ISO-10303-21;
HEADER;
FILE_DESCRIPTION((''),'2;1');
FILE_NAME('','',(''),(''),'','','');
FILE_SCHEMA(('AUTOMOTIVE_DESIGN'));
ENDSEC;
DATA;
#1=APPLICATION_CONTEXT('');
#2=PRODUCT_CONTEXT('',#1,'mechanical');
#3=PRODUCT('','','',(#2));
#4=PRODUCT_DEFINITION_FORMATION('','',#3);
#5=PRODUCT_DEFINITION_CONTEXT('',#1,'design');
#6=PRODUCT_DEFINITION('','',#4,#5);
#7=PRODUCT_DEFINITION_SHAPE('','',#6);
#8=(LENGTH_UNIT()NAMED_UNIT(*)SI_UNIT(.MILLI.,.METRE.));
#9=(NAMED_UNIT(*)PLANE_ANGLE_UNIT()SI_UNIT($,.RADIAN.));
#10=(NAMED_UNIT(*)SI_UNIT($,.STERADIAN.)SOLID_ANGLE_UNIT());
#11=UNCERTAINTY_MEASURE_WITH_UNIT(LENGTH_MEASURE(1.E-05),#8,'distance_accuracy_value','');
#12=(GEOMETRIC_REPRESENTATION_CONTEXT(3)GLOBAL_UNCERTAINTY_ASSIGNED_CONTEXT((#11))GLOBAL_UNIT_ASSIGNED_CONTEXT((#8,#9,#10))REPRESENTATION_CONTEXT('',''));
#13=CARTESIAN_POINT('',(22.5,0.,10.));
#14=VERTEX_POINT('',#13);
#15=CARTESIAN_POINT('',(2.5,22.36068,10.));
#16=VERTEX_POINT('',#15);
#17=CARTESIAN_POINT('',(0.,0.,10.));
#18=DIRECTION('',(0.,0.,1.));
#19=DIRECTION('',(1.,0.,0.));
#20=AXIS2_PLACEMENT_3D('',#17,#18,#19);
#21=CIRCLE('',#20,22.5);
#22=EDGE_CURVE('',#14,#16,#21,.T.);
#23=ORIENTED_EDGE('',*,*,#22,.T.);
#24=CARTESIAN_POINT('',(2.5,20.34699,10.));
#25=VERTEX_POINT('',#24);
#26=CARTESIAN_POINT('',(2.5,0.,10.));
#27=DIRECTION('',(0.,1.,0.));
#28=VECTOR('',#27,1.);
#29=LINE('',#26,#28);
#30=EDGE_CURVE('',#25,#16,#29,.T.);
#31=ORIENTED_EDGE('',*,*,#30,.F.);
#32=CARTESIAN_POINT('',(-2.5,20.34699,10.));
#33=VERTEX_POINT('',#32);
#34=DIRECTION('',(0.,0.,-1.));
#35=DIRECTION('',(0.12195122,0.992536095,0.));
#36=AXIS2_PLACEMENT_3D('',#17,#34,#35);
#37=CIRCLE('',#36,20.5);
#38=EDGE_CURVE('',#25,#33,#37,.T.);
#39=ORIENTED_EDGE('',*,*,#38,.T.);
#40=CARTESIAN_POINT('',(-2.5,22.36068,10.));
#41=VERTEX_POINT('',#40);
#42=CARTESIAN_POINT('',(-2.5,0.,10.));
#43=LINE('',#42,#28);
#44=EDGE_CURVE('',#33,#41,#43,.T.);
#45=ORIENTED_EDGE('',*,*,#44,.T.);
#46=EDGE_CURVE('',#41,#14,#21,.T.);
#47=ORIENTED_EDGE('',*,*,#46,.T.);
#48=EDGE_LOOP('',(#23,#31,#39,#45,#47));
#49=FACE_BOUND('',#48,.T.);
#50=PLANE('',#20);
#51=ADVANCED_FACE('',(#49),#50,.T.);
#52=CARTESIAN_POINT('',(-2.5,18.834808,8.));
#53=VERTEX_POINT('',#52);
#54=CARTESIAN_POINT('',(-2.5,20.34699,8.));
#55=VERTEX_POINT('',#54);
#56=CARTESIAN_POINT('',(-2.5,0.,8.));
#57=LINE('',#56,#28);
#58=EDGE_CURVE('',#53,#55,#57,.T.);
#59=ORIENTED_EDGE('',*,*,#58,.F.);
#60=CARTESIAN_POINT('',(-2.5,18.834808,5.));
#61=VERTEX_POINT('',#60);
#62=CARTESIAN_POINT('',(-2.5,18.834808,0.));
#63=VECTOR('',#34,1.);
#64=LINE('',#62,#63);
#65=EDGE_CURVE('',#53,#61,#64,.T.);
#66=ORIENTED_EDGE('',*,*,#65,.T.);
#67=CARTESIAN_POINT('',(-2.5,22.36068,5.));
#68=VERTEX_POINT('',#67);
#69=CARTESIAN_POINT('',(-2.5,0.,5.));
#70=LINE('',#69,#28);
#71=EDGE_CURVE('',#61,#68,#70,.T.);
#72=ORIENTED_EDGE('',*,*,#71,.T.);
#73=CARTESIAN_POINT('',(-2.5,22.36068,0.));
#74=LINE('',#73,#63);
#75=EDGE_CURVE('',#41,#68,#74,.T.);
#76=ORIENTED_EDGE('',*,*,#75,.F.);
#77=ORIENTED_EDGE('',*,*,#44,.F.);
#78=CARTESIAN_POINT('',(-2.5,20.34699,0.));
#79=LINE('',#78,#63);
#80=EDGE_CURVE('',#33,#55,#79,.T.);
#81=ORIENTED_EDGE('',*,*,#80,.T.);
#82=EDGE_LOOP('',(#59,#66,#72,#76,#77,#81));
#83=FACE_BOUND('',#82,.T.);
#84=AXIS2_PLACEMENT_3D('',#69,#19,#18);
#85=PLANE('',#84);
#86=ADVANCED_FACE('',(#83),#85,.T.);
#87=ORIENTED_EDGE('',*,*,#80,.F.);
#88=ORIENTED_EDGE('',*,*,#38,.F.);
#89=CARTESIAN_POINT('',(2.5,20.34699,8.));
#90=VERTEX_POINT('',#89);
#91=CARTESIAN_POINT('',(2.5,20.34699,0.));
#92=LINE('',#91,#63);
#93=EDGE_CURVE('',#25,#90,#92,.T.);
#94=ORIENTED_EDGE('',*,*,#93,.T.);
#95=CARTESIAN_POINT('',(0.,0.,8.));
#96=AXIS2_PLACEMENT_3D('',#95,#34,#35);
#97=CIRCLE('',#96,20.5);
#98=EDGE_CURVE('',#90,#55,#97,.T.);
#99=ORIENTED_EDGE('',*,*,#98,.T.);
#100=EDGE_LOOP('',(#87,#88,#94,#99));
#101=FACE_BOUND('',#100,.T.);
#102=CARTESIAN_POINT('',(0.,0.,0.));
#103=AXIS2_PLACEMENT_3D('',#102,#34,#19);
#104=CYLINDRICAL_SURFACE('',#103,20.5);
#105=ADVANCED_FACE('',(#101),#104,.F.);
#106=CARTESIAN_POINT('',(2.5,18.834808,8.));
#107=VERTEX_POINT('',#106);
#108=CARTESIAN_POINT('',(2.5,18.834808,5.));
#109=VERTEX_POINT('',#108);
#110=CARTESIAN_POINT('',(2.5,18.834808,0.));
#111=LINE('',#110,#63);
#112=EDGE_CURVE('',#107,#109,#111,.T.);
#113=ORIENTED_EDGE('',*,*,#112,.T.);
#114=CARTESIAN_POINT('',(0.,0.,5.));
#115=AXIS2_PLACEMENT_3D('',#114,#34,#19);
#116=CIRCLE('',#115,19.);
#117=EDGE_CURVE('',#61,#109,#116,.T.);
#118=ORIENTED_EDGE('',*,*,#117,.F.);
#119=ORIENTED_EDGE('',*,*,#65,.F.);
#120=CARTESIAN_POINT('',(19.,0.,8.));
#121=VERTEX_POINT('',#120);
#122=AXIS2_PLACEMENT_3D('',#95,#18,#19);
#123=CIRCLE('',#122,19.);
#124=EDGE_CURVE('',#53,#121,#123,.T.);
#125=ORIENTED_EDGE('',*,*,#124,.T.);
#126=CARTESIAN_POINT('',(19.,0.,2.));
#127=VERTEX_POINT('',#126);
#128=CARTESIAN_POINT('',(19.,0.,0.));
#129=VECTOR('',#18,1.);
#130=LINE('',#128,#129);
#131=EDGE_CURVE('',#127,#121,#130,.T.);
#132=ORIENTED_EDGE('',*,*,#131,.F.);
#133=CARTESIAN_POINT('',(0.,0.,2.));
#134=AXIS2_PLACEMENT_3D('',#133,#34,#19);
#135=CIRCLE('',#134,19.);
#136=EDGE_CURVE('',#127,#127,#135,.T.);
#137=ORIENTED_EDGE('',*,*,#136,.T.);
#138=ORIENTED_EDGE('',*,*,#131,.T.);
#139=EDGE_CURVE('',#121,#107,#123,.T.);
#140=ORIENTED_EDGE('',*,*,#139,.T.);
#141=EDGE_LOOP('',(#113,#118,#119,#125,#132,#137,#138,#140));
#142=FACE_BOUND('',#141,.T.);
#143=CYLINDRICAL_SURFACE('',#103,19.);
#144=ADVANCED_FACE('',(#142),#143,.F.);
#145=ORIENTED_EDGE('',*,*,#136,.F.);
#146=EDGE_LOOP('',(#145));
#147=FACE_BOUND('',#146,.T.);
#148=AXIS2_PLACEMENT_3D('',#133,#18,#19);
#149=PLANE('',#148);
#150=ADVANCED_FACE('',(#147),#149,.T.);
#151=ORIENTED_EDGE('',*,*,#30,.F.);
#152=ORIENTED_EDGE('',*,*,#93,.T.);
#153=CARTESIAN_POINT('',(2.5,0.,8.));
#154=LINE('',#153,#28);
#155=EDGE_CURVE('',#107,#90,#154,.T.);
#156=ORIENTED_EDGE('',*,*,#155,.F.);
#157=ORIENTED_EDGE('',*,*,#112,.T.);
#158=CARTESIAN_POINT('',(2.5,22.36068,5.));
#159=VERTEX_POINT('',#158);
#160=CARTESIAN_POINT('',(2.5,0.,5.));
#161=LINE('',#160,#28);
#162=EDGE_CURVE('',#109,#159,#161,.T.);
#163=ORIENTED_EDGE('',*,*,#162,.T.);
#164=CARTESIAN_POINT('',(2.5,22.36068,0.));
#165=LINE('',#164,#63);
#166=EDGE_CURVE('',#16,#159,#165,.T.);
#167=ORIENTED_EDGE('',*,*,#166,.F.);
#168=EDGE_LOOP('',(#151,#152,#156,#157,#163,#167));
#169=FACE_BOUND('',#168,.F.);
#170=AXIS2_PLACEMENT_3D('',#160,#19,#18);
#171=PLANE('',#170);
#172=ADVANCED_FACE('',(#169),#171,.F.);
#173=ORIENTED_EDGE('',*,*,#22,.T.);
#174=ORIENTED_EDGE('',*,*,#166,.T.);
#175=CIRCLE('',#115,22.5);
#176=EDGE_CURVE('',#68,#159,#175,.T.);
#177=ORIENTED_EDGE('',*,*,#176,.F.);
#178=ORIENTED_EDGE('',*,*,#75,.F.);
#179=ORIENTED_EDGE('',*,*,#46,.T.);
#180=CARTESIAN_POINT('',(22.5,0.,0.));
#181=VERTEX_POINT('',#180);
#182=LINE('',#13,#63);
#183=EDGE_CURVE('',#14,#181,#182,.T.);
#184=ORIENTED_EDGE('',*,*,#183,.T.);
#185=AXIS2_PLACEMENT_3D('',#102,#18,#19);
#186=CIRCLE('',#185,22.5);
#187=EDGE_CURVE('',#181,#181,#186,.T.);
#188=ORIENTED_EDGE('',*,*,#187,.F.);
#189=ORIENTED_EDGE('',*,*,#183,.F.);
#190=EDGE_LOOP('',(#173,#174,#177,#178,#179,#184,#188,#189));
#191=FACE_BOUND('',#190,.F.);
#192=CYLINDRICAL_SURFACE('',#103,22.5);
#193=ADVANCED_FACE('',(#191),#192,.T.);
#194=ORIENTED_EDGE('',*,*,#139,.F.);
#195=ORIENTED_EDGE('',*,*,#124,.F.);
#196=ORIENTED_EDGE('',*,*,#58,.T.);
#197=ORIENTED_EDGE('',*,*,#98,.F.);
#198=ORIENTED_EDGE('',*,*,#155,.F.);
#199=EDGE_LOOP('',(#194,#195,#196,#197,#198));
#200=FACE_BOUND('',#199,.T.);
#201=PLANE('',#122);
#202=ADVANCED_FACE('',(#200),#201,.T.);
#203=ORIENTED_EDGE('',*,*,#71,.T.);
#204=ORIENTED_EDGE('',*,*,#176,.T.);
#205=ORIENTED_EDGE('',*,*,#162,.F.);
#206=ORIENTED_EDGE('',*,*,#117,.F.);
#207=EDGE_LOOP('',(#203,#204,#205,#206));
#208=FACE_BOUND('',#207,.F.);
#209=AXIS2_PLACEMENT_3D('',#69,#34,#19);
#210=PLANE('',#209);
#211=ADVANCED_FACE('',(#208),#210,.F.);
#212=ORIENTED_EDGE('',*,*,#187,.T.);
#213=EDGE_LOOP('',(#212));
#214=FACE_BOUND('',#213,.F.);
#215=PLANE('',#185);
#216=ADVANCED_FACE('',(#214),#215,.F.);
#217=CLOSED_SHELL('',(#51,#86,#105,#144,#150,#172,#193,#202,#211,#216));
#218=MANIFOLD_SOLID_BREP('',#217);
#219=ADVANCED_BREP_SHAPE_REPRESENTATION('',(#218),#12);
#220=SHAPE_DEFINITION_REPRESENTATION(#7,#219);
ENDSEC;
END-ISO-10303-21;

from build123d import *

# Parameters (mm, degrees)
SKETCH_R      = 22.5
PAD_DEPTH     = 2
SKETCH001_R   = 22.5
SKETCH001_R_2 = 20.5
PAD001_DEPTH  = 10
SKETCH002_R   = 22.5
SKETCH002_R_2 = 19
PAD002_DEPTH  = 8
SKETCH003_W   = 5
SKETCH003_H   = 20
POCKET_DEPTH  = 22.501


with BuildPart() as part:
    # Sketch → Pad (new body)
    with BuildSketch(Plane.XY):
        Circle(SKETCH_R)
    extrude(amount=PAD_DEPTH)

    # Sketch001 → Pad001 (join)
    with BuildSketch(Plane.XY):
        Circle(SKETCH001_R)
        Circle(SKETCH001_R_2, mode=Mode.SUBTRACT)
    extrude(amount=PAD001_DEPTH)

    # Sketch002 → Pad002 (join)
    with BuildSketch(Plane.XY):
        Circle(SKETCH002_R)
        Circle(SKETCH002_R_2, mode=Mode.SUBTRACT)
    extrude(amount=PAD002_DEPTH)

    # Sketch003 → Pocket (cut, through all)
    with BuildSketch(Plane.XZ):
        with Locations((0, 15)):
            Rectangle(SKETCH003_W, SKETCH003_H)
    extrude(amount=-POCKET_DEPTH, mode=Mode.SUBTRACT)


solid = part.part
